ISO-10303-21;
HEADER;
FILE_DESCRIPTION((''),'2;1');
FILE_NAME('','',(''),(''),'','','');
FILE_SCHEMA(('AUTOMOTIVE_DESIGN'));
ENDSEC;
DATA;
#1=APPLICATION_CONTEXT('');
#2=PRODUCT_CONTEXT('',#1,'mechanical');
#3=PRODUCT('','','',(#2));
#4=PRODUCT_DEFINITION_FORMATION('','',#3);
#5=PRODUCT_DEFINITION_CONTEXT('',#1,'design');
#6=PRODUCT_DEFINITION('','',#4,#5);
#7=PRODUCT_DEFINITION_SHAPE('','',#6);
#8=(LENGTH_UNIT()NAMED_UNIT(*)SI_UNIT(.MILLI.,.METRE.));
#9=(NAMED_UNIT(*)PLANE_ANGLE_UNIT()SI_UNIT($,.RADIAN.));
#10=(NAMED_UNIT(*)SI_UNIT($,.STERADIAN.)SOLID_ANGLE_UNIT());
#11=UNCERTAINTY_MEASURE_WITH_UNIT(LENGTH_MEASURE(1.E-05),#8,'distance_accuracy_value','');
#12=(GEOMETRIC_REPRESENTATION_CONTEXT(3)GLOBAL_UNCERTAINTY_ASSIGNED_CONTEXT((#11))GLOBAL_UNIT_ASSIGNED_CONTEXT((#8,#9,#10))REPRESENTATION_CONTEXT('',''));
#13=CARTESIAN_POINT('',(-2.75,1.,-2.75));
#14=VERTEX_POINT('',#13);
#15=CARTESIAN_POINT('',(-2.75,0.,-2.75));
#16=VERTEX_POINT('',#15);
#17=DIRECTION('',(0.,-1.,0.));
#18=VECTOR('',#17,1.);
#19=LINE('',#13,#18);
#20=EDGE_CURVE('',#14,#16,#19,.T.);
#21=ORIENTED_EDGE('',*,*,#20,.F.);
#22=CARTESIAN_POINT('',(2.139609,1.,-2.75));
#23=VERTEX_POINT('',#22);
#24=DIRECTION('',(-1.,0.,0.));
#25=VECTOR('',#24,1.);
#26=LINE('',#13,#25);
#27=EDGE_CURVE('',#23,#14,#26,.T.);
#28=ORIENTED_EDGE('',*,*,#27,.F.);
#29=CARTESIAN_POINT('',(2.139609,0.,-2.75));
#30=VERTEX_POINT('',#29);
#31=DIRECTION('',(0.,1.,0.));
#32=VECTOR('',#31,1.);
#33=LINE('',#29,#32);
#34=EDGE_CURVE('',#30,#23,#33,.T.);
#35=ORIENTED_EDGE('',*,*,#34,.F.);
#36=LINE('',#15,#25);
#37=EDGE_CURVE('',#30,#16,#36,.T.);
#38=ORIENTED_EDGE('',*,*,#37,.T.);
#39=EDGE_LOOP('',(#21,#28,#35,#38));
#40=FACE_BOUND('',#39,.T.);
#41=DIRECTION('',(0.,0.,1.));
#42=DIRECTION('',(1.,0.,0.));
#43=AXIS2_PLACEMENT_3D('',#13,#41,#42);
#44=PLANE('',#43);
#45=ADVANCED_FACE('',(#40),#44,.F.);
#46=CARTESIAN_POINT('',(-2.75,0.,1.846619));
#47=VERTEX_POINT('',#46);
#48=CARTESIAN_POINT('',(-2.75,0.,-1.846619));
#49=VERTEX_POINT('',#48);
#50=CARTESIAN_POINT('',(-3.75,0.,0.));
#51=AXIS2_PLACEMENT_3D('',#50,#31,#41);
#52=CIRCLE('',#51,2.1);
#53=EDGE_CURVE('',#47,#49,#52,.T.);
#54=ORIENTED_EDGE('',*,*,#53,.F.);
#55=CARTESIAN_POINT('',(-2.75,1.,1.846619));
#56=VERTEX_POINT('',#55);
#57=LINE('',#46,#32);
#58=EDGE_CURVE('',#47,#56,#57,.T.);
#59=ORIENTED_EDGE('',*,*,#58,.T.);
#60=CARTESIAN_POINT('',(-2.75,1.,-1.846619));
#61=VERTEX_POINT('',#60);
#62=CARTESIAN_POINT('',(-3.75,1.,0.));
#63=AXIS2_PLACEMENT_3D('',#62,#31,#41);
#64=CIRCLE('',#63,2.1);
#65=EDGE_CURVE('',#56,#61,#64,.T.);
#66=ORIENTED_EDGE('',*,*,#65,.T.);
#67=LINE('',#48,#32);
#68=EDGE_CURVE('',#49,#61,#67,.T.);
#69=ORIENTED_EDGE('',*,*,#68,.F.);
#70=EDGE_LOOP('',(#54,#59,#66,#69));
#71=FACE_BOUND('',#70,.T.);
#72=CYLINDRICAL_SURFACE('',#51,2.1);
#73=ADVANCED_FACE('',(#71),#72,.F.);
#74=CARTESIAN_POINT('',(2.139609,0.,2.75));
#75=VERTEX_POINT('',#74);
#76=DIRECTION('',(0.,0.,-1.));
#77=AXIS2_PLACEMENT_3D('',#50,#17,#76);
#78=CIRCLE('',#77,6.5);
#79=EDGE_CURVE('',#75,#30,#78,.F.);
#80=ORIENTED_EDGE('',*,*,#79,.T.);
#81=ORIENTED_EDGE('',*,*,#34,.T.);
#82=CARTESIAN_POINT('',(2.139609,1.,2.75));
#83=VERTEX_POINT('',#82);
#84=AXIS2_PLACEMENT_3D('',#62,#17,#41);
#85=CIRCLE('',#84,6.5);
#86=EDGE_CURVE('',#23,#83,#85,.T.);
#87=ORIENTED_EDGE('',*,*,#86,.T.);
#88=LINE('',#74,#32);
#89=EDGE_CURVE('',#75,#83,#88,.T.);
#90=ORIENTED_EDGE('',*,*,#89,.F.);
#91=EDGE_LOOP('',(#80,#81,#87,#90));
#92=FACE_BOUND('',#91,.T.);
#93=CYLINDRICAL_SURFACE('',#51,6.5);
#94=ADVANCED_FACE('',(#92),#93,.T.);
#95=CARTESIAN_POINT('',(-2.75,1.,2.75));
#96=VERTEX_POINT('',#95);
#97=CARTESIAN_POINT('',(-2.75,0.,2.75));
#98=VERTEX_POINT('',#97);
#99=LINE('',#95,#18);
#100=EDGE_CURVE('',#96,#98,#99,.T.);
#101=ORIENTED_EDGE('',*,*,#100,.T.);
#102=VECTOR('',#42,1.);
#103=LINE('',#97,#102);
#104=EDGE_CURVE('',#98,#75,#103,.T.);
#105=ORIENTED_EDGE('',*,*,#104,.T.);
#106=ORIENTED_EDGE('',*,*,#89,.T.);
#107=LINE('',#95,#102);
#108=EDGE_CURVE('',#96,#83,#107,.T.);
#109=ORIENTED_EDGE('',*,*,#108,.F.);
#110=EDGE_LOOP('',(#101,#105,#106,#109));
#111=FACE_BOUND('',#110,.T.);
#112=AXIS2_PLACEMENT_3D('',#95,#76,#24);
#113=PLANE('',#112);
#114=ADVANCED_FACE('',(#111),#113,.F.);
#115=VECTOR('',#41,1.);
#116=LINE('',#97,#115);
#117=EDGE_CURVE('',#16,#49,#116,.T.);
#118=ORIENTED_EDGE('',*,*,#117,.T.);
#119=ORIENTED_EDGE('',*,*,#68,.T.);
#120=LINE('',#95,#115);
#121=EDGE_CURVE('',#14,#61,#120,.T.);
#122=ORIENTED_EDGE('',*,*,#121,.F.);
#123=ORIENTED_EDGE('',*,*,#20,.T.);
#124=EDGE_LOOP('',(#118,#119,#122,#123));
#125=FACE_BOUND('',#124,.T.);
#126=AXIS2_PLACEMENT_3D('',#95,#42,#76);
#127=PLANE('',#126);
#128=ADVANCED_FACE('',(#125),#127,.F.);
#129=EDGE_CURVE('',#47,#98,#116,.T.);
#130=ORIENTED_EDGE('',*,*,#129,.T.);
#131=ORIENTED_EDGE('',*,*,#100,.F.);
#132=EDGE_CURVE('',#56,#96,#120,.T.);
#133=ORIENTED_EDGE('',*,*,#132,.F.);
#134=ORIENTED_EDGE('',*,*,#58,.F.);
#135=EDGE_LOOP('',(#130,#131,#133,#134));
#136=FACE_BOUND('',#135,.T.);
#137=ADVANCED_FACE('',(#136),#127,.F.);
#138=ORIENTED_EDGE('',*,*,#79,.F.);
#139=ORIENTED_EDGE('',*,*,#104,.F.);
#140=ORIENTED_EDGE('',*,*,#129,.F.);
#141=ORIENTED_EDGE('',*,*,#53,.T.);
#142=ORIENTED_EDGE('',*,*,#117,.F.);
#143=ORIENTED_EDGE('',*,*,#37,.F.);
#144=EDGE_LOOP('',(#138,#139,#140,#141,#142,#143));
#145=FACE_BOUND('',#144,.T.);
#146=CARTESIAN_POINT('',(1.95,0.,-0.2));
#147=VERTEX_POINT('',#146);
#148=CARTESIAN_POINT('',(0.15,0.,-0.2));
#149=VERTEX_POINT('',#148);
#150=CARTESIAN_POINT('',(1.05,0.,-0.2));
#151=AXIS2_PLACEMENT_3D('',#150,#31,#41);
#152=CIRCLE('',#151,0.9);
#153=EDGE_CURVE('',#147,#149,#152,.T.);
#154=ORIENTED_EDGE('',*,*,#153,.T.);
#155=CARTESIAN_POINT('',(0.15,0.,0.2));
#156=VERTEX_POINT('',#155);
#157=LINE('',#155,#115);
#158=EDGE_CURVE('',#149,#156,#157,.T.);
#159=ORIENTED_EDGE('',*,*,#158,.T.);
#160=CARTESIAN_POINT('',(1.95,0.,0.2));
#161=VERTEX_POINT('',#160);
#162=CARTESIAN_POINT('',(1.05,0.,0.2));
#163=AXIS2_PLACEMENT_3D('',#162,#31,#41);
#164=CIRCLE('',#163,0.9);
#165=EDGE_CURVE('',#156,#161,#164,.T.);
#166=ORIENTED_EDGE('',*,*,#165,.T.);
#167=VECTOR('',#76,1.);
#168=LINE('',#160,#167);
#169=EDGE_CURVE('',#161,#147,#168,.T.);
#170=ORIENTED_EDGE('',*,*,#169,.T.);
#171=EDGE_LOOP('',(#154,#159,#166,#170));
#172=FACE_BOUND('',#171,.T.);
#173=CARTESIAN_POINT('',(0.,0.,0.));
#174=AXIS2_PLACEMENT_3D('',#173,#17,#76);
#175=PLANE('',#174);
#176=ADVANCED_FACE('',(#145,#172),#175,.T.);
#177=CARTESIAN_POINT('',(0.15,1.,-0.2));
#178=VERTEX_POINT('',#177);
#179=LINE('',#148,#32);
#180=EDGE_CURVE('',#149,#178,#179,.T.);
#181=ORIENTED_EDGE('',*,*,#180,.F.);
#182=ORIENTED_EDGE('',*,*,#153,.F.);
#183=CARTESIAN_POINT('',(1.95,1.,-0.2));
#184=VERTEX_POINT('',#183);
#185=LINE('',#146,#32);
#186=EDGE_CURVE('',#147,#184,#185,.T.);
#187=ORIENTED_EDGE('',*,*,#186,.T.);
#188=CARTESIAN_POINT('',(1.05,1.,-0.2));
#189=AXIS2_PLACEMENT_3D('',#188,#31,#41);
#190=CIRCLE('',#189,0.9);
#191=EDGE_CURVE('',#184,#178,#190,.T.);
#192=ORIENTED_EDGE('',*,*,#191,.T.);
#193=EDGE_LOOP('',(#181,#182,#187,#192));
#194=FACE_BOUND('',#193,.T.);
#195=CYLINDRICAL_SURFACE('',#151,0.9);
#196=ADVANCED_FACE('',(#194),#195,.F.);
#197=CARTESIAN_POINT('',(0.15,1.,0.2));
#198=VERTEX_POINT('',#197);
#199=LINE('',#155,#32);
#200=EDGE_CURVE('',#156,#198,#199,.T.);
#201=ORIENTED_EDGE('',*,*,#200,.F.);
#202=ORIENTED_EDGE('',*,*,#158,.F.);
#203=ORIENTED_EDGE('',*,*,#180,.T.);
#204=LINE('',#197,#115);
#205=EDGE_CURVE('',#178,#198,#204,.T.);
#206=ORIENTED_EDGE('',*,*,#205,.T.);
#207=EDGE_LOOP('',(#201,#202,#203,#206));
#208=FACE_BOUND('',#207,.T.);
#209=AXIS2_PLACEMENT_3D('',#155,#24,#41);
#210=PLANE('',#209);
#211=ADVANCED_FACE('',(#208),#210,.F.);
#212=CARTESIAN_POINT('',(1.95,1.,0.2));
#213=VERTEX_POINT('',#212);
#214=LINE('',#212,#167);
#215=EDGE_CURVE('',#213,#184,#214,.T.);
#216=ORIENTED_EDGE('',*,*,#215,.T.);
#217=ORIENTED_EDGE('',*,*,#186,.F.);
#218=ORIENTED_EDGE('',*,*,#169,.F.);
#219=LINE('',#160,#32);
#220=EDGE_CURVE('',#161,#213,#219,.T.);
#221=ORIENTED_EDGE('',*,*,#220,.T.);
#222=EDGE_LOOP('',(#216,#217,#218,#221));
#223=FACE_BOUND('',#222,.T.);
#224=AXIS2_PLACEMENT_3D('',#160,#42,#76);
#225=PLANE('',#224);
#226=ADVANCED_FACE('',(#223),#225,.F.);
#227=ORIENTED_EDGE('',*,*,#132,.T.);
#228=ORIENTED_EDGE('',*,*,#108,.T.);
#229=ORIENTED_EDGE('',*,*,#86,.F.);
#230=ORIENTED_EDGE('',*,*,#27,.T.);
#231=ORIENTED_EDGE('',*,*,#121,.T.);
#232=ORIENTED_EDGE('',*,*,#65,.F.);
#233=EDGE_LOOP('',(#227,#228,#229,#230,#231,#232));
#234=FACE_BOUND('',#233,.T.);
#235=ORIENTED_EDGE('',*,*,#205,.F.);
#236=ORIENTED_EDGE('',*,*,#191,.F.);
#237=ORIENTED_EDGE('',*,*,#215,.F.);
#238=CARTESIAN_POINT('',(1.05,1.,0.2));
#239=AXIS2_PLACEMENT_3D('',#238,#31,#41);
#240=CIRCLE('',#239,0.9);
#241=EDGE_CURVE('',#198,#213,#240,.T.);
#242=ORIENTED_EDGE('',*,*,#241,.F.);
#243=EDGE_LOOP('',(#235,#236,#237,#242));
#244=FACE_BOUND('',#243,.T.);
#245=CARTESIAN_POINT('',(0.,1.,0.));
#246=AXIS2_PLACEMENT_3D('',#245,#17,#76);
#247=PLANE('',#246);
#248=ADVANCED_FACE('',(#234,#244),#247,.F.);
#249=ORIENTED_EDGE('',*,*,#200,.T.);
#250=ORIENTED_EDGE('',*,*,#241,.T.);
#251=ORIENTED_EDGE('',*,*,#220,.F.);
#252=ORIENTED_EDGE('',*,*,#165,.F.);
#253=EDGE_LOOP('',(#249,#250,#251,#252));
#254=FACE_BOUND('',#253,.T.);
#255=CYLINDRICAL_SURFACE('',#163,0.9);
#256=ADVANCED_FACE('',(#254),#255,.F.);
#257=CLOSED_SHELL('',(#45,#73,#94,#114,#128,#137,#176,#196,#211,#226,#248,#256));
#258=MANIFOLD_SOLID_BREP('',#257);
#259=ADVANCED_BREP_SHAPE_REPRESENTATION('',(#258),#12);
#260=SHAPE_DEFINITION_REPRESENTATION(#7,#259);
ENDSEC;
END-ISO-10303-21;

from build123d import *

# Parameters (mm, degrees)
SKETCH2_W           = 5.5
SKETCH2_H           = 5.5
BOSS_EXTRUDE1_DEPTH = 1
CUT_EXTRUDE1_DEPTH  = 2
CUT_EXTRUDE2_DEPTH  = 2
CUT_EXTRUDE3_DEPTH  = 1


with BuildPart() as part:
    # Sketch2 → Boss-Extrude1 (new body)
    with BuildSketch(Plane(origin=(0, 0, 0), x_dir=(1, 0, 0), z_dir=(0, 1, 0))):
        Rectangle(SKETCH2_W, SKETCH2_H)
    extrude(amount=BOSS_EXTRUDE1_DEPTH)

    # Sketch3 → Cut-Extrude1 (cut, through all)
    with BuildSketch(Plane(origin=(0, 1, 0), x_dir=(1, 0, 0), z_dir=(0, 1, 0))):
        with BuildLine():
            Line((0.15, -0.2), (0.15, 0.2))
            ThreePointArc((0.15, 0.2), (1.05, 1.1), (1.95, 0.2))
            Line((1.95, 0.2), (1.95, -0.2))
            ThreePointArc((1.95, -0.2), (1.05, -1.1), (0.15, -0.2))
        make_face()
    extrude(amount=-CUT_EXTRUDE1_DEPTH, mode=Mode.SUBTRACT)

    # Sketch4 → Cut-Extrude2 (cut, through all)
    with BuildSketch(Plane(origin=(0, 1, 0), x_dir=(1, 0, 0), z_dir=(0, 1, 0))):
        with BuildLine():
            Line((-2.75, 1.846618531), (-2.75, -1.846618531))
            ThreePointArc((-2.75, -1.846618531), (-1.65, 0), (-2.75, 1.846618531))
        make_face()
    extrude(amount=-CUT_EXTRUDE2_DEPTH, mode=Mode.SUBTRACT)

    # Sketch5 → Cut-Extrude3 (cut)
    with BuildSketch(Plane(origin=(0, 1, 0), x_dir=(1, 0, 0), z_dir=(0, 1, 0))):
        with BuildLine():
            Line((3.85, -2.75), (3.85, 2.75))
            Line((3.85, 2.75), (2.139609495, 2.75))
            ThreePointArc((2.139609495, 2.75), (2.75, 0), (2.139609495, -2.75))
            Line((2.139609495, -2.75), (3.85, -2.75))
        make_face()
    extrude(amount=-CUT_EXTRUDE3_DEPTH, mode=Mode.SUBTRACT)


solid = part.part
